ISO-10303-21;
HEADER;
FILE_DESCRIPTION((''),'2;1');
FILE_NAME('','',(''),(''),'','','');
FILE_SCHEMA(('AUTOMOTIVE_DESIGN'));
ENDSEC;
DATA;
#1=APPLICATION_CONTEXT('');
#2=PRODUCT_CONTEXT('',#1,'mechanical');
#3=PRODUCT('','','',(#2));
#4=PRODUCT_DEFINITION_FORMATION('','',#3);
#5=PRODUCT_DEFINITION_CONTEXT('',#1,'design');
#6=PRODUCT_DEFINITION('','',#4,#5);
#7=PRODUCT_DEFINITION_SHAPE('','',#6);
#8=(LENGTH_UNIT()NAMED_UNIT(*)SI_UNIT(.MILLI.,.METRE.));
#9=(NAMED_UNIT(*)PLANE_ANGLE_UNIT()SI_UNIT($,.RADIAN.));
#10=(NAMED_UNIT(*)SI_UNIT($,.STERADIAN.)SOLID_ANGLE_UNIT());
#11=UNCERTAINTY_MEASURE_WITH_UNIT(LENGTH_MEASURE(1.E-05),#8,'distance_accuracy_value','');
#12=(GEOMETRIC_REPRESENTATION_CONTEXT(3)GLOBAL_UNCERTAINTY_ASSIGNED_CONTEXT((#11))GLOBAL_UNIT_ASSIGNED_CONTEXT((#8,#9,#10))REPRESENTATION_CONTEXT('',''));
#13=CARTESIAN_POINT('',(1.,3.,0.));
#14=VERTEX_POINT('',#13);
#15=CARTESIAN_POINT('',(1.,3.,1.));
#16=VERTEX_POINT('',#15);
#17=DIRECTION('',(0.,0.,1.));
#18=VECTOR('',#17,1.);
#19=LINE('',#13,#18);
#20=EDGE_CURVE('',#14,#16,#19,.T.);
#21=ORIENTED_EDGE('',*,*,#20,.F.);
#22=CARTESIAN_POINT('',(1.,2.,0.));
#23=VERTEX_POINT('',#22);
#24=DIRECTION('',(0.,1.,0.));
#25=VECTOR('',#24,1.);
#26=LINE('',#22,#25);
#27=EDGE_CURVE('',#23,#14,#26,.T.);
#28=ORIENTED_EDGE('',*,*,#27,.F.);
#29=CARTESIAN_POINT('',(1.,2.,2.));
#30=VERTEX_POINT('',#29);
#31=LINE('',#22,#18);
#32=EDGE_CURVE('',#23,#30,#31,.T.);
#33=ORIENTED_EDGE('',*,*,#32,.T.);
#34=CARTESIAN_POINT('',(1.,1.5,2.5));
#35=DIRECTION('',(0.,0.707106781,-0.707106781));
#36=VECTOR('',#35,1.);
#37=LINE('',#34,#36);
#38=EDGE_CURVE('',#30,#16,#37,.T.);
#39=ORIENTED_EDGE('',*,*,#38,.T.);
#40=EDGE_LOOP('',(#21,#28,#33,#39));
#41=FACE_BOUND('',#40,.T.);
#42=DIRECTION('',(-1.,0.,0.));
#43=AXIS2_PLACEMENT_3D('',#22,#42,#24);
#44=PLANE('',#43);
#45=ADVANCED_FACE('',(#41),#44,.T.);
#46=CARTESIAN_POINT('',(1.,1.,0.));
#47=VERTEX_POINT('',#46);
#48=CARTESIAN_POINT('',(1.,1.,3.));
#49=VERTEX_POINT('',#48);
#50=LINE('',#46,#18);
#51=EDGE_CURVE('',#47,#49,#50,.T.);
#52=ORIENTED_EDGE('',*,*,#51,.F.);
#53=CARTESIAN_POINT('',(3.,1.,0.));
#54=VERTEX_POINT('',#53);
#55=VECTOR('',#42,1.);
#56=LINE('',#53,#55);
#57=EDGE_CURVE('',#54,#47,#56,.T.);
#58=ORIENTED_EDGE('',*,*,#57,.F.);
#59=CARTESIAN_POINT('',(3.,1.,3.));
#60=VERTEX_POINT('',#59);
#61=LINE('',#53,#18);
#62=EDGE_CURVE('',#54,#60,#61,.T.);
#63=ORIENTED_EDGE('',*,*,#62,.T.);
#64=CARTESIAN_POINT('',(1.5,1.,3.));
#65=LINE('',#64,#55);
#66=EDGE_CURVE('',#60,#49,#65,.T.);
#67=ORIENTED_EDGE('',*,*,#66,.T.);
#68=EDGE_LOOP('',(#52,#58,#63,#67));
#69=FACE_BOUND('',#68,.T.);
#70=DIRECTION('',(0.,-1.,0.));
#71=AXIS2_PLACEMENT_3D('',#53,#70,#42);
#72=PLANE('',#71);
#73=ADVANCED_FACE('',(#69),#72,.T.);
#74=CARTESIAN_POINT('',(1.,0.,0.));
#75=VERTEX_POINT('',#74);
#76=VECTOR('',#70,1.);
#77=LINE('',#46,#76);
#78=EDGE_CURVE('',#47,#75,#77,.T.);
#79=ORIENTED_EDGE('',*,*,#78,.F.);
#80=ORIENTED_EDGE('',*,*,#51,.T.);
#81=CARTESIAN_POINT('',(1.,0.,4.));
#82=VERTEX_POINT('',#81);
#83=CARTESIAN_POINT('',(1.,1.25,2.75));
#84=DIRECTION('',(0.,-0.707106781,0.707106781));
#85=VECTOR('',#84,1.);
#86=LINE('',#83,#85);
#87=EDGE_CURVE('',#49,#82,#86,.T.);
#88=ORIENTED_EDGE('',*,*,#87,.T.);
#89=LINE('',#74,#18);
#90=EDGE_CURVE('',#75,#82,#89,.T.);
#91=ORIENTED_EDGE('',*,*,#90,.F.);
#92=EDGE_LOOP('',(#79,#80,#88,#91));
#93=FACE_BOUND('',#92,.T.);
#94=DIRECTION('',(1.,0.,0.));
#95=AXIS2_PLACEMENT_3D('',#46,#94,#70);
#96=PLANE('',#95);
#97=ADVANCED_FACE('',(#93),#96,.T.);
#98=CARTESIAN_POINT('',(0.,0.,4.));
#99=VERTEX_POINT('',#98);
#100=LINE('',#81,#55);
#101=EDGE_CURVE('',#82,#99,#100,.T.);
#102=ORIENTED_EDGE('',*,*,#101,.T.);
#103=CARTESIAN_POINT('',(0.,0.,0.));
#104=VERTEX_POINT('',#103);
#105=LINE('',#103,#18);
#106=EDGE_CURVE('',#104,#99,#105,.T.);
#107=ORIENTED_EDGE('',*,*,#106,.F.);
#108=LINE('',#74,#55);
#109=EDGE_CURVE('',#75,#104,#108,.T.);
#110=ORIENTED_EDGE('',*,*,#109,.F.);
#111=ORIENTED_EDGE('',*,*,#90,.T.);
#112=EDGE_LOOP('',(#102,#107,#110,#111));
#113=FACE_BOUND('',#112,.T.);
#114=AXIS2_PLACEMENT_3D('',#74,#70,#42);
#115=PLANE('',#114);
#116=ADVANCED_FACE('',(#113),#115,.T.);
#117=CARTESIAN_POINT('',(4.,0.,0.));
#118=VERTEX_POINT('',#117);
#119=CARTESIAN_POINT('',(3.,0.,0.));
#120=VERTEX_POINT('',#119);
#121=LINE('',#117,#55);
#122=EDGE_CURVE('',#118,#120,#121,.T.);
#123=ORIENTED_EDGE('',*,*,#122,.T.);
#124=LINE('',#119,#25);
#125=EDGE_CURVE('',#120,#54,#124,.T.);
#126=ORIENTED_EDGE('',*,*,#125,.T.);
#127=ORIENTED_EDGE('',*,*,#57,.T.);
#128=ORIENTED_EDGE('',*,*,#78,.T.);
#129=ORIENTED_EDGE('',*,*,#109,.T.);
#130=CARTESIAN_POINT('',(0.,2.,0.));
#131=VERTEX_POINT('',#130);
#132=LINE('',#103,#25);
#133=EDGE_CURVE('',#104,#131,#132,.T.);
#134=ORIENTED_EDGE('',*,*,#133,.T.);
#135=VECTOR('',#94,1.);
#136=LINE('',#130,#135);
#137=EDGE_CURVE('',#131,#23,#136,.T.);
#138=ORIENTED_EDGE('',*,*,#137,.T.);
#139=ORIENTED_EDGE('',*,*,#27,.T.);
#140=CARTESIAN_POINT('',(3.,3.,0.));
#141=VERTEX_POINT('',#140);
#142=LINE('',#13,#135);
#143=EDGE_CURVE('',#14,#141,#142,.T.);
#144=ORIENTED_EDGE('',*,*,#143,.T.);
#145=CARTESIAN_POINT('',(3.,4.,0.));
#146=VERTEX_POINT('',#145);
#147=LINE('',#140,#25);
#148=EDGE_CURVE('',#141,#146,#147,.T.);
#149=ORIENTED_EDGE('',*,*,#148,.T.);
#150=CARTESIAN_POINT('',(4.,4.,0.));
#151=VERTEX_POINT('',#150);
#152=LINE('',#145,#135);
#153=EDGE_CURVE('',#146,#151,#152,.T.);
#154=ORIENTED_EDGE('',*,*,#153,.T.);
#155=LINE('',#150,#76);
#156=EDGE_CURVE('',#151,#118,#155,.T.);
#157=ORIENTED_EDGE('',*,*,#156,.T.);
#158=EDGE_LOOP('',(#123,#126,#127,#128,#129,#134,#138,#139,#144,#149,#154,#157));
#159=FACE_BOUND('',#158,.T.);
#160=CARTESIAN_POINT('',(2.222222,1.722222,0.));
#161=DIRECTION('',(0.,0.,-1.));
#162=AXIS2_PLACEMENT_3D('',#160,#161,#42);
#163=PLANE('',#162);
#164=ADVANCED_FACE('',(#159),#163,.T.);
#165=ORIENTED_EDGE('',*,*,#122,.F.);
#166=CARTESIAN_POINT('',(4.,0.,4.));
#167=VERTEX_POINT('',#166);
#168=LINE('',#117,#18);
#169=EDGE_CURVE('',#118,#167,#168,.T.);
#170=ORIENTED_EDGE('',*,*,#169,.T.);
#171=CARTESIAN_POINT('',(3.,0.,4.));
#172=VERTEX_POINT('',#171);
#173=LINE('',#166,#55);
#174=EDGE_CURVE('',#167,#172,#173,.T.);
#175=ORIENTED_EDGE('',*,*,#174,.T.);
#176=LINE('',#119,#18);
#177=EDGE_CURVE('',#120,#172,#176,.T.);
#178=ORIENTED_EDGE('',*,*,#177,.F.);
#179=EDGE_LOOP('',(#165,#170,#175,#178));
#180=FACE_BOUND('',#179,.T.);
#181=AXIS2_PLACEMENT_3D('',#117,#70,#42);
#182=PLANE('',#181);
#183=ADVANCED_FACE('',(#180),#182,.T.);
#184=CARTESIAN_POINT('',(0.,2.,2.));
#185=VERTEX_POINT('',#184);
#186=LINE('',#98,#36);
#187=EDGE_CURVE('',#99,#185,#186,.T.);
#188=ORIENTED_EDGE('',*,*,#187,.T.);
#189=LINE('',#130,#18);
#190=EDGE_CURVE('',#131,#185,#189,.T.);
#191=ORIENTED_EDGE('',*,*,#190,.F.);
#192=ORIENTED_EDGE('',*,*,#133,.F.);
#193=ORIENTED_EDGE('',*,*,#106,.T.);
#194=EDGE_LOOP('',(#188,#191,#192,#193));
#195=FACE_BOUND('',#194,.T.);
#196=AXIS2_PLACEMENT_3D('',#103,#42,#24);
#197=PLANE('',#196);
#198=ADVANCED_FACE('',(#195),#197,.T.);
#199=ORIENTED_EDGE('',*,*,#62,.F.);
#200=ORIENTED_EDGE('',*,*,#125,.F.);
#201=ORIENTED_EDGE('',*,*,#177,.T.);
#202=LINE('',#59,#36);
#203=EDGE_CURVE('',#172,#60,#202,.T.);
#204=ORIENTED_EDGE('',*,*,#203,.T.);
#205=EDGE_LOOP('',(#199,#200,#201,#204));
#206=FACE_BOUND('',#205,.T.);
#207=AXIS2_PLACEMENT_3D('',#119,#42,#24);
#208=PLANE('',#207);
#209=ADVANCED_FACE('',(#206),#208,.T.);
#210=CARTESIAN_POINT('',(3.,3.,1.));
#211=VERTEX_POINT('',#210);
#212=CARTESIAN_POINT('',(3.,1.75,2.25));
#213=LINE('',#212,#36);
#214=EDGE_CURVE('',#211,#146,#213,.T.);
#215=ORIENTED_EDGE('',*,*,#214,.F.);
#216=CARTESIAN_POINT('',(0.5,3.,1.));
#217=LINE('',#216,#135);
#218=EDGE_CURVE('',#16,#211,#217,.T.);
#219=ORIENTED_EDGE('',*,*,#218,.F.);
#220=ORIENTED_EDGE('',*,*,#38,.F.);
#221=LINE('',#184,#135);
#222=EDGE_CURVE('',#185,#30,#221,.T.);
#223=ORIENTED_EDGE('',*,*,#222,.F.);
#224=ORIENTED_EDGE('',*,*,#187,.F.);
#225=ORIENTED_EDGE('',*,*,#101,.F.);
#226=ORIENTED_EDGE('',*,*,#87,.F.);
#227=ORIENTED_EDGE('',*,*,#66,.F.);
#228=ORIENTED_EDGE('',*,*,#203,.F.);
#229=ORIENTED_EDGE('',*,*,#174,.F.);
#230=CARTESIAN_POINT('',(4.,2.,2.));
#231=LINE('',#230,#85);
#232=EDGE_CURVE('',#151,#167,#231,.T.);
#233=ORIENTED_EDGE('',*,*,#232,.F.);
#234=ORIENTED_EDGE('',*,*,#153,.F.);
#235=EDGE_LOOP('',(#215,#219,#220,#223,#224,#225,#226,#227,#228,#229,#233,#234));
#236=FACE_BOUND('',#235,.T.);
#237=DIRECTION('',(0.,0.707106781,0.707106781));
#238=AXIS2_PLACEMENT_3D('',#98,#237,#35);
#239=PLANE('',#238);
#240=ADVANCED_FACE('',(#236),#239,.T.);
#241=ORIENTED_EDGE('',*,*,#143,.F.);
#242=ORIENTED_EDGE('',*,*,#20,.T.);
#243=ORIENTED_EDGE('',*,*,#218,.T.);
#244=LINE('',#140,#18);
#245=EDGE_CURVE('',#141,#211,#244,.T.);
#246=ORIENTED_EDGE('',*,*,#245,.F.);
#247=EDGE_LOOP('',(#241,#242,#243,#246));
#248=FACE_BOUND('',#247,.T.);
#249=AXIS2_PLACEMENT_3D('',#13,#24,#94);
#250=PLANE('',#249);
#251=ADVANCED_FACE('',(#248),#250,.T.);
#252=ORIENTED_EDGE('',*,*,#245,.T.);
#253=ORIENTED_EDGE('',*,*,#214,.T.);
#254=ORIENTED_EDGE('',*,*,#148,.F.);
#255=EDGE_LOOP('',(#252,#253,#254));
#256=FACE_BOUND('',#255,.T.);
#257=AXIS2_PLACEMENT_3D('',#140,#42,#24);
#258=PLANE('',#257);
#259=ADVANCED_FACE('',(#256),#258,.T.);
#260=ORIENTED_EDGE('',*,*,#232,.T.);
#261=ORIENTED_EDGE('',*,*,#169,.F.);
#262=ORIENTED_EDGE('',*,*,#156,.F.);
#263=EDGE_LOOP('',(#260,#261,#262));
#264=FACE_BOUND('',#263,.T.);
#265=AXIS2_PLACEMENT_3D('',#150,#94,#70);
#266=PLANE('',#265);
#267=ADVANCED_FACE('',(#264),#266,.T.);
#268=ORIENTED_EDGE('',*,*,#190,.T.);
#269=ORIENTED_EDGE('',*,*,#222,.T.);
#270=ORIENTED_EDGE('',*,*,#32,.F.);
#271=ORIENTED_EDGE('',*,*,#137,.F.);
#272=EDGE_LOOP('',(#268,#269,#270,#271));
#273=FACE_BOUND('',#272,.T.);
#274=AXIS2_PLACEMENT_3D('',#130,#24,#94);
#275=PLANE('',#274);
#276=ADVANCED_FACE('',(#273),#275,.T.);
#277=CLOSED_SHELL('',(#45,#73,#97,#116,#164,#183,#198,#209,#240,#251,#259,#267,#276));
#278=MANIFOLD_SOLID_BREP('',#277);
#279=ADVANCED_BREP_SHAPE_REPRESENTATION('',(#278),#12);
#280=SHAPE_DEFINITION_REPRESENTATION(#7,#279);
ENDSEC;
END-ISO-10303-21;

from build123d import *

# Parameters (mm, degrees)
BOSS_EXTRUDE1_DEPTH = 4
CUT_EXTRUDE2_DEPTH  = 10


with BuildPart() as part:
    # Sketch1 → Boss-Extrude1 (new body)
    with BuildSketch(Plane.XY):
        Polygon((0, 0), (0, 2), (1, 2), (1, 3), (3, 3), (3, 4), (4, 4), (4, 0), (3, 0), (3, 1), (1, 1), (1, 0), align=None)
    extrude(amount=BOSS_EXTRUDE1_DEPTH)

    # Sketch3 → Cut-Extrude2 (cut)
    with BuildSketch(Plane.ZY):
        Polygon((4, 0), (0, 4), (4, 4), align=None)
    extrude(amount=-CUT_EXTRUDE2_DEPTH, mode=Mode.SUBTRACT)


solid = part.part
